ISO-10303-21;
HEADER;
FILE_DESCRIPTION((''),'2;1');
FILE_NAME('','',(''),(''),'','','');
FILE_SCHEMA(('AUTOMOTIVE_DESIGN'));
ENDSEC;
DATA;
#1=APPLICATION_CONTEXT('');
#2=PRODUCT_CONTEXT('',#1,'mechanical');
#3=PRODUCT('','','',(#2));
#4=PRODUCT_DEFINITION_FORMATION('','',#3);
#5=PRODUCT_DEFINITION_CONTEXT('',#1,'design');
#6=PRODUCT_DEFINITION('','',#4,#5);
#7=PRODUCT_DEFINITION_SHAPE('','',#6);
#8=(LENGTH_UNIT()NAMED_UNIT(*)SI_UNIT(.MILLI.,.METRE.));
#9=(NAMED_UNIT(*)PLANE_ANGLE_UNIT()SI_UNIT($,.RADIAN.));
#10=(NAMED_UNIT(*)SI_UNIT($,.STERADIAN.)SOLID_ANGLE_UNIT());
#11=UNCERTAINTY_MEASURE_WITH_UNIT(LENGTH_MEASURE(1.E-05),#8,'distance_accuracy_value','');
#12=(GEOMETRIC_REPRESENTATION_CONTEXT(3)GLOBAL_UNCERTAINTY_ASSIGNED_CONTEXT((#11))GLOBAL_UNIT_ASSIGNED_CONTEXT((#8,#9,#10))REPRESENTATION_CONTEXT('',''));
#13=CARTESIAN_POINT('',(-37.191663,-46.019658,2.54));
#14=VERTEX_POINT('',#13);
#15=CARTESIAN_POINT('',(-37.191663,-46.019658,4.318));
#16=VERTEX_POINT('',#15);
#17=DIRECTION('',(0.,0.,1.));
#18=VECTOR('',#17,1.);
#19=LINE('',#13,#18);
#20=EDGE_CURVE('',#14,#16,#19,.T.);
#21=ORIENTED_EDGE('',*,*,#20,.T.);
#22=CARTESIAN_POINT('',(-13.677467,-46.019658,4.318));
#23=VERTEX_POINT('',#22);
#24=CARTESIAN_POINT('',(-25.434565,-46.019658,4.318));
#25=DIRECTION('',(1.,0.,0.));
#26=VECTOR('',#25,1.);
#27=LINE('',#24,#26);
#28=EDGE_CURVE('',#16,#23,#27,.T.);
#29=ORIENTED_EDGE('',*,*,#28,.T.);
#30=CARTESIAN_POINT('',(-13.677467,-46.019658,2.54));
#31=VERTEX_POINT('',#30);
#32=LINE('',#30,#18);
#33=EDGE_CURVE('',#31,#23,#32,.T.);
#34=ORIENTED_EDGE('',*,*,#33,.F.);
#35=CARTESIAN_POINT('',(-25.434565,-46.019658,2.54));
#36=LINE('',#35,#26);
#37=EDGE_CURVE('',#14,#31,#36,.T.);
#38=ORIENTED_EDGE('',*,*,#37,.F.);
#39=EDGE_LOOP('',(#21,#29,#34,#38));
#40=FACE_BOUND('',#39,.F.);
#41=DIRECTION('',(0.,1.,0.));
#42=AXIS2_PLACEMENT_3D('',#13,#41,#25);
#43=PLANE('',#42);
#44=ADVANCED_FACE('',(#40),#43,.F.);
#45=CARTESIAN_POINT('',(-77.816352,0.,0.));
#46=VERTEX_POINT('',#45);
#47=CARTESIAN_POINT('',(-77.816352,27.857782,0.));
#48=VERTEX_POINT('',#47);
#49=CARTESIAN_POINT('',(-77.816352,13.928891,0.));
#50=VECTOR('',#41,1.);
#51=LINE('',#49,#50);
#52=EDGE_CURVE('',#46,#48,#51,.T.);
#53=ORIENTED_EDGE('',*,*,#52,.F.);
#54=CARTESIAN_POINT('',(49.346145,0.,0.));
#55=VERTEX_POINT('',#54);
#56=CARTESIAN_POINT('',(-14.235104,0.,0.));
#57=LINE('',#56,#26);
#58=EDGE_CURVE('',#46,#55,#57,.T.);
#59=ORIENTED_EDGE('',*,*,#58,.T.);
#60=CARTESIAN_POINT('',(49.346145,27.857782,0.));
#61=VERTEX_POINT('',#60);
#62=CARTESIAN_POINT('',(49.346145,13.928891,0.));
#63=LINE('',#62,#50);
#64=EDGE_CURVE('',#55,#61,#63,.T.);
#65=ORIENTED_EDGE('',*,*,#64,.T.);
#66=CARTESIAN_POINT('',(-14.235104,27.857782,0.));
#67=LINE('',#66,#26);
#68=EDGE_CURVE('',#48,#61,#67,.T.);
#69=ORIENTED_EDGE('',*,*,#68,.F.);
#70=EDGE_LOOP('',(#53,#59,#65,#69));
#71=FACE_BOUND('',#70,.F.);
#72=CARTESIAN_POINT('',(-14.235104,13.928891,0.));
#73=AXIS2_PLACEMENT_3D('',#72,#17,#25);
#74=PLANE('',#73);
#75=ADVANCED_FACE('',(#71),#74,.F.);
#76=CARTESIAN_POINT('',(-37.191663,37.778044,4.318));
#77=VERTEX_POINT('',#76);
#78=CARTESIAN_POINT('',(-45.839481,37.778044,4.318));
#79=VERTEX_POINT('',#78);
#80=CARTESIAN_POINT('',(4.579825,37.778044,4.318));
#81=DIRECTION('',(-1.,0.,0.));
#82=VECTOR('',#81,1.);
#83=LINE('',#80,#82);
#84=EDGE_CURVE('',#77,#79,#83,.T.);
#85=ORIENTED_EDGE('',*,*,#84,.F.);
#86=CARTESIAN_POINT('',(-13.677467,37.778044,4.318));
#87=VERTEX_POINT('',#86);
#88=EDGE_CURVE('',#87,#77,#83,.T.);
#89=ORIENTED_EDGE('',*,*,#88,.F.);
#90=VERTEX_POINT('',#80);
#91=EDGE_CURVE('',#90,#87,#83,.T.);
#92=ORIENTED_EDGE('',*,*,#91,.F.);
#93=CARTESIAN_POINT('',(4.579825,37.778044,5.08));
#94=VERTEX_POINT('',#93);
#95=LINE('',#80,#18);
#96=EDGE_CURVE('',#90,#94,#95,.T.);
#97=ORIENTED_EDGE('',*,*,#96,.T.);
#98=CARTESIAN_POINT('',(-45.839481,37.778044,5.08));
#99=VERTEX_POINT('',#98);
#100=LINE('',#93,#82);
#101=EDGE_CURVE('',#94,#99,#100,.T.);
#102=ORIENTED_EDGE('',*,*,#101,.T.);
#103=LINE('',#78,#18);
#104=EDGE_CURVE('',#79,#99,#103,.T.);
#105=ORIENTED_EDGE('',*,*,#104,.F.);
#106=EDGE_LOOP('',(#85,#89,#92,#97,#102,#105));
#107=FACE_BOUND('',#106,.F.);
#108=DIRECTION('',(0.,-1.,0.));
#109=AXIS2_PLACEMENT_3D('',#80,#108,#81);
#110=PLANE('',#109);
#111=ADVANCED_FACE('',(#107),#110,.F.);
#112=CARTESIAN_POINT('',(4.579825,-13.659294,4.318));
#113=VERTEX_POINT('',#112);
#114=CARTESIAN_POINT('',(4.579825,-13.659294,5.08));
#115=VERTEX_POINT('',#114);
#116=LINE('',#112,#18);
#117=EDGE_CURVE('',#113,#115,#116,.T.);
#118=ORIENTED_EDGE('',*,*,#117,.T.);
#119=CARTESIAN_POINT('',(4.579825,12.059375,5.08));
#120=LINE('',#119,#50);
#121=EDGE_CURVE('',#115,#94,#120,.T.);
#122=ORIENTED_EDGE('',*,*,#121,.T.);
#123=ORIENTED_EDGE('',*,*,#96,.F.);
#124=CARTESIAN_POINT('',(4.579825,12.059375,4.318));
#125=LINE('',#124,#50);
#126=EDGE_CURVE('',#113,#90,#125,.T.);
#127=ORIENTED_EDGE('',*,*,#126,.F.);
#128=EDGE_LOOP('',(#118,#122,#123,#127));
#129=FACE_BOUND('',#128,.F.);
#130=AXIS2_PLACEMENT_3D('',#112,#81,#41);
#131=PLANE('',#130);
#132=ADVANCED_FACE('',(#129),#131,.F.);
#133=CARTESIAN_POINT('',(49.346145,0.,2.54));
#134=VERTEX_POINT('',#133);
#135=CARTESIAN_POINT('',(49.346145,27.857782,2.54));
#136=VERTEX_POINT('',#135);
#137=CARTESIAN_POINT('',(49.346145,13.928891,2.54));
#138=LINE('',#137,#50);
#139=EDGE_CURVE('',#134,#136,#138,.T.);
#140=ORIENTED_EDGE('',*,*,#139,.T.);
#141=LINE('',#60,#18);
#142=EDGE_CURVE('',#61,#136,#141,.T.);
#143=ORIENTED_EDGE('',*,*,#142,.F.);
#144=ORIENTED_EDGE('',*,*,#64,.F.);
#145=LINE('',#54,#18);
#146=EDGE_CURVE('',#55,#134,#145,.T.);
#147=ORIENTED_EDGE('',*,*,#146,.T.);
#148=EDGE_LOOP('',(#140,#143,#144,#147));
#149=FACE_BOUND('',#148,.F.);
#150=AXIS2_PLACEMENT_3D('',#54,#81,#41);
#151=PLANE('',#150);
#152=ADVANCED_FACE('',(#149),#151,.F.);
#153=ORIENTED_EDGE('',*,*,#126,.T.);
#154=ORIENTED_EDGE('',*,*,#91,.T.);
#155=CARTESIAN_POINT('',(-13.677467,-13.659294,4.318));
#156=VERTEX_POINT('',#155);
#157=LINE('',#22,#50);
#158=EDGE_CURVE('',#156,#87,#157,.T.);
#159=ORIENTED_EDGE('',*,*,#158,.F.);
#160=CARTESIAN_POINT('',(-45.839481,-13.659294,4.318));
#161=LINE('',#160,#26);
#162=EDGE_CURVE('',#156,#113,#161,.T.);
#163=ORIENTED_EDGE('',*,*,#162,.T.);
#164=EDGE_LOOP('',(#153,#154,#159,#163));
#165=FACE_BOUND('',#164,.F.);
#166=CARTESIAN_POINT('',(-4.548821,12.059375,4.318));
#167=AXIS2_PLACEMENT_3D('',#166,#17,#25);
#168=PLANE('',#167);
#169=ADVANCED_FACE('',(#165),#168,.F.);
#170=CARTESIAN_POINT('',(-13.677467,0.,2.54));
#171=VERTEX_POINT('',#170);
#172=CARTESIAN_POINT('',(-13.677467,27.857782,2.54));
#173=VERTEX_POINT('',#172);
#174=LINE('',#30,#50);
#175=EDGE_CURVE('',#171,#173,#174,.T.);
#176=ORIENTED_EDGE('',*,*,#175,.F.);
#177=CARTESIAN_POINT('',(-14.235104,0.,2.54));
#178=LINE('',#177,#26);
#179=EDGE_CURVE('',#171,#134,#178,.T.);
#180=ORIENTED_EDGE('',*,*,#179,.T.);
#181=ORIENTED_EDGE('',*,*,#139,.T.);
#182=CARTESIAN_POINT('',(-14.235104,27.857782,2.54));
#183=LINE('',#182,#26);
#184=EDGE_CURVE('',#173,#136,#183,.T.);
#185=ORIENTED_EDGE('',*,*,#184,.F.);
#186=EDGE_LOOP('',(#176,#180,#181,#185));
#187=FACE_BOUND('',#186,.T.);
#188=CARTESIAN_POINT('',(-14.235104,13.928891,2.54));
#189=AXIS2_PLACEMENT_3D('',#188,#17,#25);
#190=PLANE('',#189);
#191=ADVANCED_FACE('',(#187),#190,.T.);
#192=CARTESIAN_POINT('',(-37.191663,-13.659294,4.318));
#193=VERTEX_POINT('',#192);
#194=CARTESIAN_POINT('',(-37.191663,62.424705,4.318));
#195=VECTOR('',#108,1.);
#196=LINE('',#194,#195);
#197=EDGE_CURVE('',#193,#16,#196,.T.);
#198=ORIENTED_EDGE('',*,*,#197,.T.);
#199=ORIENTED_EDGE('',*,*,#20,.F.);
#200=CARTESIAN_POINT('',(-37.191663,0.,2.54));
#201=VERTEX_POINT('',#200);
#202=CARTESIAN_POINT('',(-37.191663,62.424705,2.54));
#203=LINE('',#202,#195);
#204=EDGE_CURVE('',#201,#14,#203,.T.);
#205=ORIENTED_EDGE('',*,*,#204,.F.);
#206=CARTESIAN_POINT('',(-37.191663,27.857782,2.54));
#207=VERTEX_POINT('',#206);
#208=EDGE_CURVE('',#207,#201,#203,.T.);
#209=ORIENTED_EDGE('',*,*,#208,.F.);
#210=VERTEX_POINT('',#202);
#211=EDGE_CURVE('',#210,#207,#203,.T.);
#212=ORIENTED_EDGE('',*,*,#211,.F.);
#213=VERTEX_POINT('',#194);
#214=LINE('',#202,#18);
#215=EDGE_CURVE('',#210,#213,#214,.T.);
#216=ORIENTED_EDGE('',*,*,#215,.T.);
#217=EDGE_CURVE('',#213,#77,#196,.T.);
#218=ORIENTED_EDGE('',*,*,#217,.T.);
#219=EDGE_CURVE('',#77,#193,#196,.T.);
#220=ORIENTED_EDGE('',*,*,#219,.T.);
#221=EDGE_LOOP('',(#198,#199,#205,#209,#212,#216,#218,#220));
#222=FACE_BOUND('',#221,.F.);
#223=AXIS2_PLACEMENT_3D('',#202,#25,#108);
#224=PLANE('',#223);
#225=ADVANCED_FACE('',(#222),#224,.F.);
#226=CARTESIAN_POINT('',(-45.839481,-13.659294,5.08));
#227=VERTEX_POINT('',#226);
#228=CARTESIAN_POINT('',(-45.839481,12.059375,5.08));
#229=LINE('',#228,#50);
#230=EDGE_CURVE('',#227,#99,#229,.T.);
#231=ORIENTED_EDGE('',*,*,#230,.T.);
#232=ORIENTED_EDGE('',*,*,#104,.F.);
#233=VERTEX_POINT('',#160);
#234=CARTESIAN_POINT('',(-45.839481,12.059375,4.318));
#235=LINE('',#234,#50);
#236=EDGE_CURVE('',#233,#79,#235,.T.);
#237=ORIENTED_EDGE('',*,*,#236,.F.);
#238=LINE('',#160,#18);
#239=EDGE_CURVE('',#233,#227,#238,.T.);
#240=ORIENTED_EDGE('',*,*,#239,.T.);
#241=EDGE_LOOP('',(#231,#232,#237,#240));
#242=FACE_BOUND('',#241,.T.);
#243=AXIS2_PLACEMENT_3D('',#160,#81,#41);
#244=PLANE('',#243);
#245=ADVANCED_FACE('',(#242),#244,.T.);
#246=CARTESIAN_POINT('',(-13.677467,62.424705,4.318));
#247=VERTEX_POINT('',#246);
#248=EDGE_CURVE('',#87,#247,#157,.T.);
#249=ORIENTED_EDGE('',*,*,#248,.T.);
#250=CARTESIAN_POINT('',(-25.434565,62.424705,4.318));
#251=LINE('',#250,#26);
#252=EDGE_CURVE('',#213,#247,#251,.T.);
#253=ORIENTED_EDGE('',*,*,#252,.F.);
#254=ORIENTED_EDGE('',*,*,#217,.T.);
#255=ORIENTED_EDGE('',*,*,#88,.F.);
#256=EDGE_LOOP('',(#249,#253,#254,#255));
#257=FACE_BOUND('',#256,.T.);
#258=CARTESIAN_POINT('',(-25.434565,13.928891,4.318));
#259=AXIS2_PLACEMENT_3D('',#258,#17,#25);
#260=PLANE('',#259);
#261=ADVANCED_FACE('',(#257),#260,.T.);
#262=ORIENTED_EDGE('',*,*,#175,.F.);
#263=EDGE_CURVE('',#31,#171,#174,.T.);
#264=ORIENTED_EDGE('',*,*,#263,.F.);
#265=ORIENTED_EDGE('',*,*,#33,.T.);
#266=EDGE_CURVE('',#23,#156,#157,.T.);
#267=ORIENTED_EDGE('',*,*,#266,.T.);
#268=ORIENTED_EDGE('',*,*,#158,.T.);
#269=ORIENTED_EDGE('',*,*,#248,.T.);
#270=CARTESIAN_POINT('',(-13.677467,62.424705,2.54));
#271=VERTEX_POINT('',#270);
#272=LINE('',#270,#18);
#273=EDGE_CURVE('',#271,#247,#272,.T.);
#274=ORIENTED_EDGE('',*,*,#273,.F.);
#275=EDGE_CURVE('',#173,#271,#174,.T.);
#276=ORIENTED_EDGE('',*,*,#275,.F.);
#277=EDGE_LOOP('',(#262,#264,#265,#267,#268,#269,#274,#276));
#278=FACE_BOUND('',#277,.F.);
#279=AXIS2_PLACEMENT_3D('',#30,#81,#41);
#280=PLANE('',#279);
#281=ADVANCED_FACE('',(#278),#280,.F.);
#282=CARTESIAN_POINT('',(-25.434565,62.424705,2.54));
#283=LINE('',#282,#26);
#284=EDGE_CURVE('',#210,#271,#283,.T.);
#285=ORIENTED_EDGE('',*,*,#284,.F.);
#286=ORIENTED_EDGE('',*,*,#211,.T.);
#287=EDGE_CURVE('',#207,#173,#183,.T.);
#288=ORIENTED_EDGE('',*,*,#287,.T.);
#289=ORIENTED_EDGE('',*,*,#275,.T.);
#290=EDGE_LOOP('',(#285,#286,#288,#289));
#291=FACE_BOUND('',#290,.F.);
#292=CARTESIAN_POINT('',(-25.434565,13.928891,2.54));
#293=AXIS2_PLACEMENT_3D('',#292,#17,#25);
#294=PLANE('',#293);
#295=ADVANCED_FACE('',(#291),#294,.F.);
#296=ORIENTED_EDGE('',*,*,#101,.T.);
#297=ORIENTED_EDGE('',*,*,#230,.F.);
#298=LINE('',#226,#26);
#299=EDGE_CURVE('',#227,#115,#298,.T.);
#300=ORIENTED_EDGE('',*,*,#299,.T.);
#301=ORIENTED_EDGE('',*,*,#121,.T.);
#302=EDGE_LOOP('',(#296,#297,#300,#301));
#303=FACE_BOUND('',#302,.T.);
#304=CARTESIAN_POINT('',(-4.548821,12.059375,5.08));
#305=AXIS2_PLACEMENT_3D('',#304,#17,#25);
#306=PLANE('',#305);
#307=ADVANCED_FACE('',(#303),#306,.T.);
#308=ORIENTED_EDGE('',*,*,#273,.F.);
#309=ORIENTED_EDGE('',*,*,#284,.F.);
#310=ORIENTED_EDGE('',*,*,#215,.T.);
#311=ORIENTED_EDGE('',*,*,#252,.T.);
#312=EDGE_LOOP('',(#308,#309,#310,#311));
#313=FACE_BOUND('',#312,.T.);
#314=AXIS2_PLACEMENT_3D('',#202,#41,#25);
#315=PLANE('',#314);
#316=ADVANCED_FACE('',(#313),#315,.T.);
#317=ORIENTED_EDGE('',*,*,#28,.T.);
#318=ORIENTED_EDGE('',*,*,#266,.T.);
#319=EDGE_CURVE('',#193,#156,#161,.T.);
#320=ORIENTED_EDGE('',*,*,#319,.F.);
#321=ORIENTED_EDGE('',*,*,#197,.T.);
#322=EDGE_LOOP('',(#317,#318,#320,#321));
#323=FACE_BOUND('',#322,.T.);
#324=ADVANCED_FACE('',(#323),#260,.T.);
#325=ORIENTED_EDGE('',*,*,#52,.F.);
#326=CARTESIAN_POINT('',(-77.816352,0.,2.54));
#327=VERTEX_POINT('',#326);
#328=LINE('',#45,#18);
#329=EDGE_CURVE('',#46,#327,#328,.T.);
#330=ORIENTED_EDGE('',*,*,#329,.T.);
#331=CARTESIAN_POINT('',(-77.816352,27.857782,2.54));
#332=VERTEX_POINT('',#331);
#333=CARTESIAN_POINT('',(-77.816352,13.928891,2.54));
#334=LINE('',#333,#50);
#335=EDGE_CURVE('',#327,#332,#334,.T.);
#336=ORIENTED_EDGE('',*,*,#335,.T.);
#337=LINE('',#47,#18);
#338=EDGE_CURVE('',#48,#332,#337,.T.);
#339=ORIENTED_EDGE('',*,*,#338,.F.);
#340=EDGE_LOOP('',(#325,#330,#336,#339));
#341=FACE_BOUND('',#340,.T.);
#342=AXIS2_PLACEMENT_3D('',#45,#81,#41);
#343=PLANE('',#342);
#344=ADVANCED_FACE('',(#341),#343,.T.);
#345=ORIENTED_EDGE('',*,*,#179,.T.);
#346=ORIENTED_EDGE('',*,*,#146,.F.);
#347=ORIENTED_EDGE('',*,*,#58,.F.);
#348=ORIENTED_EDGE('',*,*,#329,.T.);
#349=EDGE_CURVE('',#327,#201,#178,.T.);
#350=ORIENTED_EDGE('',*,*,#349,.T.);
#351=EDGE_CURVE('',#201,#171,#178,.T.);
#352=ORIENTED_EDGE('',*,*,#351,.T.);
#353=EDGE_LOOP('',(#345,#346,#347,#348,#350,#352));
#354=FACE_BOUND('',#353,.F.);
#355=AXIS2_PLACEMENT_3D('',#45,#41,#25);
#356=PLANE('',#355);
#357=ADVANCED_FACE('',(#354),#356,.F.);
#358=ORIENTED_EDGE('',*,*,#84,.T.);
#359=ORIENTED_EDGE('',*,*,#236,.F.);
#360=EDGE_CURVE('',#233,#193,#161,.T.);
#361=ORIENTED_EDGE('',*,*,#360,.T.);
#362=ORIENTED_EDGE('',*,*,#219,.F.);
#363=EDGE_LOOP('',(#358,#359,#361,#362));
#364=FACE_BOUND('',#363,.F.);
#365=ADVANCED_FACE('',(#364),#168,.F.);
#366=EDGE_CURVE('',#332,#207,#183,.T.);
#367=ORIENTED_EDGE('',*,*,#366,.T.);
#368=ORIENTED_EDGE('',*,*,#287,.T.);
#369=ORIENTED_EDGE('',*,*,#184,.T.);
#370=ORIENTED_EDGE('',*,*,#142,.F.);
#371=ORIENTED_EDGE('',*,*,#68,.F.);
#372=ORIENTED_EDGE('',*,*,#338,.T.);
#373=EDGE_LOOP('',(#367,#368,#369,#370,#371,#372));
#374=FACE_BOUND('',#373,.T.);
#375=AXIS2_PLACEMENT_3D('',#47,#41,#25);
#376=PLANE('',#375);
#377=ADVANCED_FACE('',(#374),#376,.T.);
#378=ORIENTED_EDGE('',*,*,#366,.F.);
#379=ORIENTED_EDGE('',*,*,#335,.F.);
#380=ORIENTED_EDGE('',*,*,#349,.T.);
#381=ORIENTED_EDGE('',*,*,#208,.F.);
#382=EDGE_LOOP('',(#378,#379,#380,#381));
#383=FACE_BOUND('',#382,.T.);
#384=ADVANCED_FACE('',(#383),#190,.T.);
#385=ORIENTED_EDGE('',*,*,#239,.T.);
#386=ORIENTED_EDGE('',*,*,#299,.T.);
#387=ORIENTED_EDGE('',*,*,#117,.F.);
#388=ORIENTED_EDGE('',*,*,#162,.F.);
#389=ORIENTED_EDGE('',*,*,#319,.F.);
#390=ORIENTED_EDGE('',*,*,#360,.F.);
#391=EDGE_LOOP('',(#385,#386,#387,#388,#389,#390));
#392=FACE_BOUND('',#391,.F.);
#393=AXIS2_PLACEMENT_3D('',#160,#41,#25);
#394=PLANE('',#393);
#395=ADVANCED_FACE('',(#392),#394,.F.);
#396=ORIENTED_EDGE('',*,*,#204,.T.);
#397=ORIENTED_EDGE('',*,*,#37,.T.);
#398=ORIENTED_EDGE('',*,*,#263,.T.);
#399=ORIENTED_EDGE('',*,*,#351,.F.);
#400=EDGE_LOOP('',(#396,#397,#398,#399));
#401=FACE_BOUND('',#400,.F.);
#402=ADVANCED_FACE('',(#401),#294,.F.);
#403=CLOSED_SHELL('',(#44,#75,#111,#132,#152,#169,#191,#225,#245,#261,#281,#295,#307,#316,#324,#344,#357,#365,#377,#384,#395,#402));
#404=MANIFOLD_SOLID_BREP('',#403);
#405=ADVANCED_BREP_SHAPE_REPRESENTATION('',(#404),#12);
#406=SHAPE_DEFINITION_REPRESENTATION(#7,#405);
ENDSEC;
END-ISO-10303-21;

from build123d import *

# Parameters (mm, degrees)
F0_W     = 127.1624974906
F0_H     = 27.8577823192
F1_DEPTH = 2.54
F2_W     = 23.5141962767
F2_H     = 27.8577823192
F2_H_2   = 46.019657515
F2_H_3   = 34.5669230446
F3_DEPTH = 1.778
F4_W     = 18.2572918436
F4_H     = 51.4373374962
F4_W_2   = 23.5141962767
F4_W_3   = 8.6478181183
F5_DEPTH = 0.762


with BuildPart() as f1:
    # F0 (on Top) → F1 (new body)
    with BuildSketch(Plane.XY):
        with Locations((-14.2351035029, 13.9288911596)):
            Rectangle(F0_W, F0_H)
    extrude(amount=F1_DEPTH)

    # F2 (on face) → F3 (join)
    with BuildSketch(Plane.XY.offset(2.54)):
        with Locations((-25.4345647991, 13.9288911596)):
            Rectangle(F2_W, F2_H)
        with Locations((-25.4345647991, -23.0098287575)):
            Rectangle(F2_W, F2_H_2)
        with Locations((-25.4345647991, 45.1412438415)):
            Rectangle(F2_W, F2_H_3)
    extrude(amount=F3_DEPTH)

    # F4 (on face) → F5 (join)
    with BuildSketch(Plane.XY.offset(4.318)):
        with Locations((-4.5488207389, 12.0593749848)):
            Rectangle(F4_W, F4_H)
        with Locations((-25.4345647991, 12.0593749848)):
            Rectangle(F4_W_2, F4_H)
        with Locations((-41.5155719966, 12.0593749848)):
            Rectangle(F4_W_3, F4_H)
    extrude(amount=F5_DEPTH)


solid = f1.part
